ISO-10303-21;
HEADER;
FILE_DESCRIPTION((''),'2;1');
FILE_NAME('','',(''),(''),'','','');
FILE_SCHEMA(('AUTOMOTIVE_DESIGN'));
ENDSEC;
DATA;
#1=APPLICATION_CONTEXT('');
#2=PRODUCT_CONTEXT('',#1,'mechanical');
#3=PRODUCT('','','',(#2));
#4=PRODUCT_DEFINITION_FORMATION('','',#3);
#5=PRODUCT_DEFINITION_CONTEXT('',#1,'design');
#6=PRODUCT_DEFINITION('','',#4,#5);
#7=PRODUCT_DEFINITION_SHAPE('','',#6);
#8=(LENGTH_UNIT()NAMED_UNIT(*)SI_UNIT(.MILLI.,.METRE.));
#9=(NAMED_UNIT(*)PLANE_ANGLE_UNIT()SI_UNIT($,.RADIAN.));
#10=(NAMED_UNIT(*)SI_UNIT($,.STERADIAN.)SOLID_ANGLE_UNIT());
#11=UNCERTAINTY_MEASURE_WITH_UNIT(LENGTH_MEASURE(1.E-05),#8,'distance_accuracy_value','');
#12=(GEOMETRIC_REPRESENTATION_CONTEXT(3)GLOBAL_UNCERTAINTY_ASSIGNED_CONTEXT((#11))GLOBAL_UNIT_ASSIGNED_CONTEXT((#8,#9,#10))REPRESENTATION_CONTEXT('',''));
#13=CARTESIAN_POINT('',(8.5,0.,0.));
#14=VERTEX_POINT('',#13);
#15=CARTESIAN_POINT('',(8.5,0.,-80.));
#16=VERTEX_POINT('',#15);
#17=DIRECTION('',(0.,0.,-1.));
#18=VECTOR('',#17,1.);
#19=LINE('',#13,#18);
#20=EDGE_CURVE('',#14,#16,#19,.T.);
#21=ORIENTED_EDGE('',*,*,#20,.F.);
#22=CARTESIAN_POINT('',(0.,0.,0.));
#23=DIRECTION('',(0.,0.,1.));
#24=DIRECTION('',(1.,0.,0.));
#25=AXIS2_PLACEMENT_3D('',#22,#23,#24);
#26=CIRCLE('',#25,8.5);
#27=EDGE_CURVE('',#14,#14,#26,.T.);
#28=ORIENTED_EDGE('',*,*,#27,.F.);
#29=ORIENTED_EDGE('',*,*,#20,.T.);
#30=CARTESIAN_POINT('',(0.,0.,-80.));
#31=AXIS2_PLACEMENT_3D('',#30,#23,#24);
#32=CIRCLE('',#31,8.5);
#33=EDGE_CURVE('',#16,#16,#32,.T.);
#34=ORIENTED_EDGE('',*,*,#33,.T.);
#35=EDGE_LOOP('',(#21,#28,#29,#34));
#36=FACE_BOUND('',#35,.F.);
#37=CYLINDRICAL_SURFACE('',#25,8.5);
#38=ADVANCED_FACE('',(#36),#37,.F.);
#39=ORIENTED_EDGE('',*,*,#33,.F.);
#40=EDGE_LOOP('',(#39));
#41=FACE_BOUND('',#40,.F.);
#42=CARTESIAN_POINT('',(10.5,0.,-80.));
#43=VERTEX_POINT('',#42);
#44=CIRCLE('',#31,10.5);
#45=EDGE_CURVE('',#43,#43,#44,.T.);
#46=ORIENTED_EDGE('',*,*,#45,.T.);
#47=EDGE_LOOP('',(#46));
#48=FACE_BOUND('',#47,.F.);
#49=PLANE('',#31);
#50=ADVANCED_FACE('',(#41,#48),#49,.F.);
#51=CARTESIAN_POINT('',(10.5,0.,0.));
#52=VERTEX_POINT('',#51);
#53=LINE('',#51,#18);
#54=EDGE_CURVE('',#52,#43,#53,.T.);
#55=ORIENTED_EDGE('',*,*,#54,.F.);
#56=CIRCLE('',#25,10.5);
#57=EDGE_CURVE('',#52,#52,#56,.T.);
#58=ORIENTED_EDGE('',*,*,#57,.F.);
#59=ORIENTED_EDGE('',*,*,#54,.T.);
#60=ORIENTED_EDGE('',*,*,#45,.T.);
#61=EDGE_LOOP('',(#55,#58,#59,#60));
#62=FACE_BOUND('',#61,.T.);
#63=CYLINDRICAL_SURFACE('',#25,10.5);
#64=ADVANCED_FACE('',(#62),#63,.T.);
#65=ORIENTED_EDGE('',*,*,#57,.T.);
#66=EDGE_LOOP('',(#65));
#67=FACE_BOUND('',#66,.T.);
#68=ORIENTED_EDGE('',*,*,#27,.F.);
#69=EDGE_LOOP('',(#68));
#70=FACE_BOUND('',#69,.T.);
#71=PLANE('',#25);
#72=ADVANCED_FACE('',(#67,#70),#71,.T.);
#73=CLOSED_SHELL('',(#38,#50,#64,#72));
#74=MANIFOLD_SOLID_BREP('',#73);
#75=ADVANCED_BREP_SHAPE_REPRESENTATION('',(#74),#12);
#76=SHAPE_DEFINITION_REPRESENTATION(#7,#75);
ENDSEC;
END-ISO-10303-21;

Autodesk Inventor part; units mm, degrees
ref_plane "YZ Plane" through (0, 0, 0) normal (1, 0, 0) x (0, 1, 0)
ref_plane "XZ Plane" through (0, 0, 0) normal (0, 1, 0) x (-1, 0, 0)
ref_plane "XY Plane" through (0, 0, 0) normal (0, 0, 1) x (1, 0, 0)
sketch "Sketch11" plane through (0, 0, 0) normal (0, 0, 1) x (1, 0, 0)
  circle A0 centre (0, 0) radius 10.5
  circle A1 centre (0, 0) radius 8.5
  dimension "d187" = 21
  dimension "d188" = 2
extrude "Extrusion5" add sketch "Sketch11" against normal blind 80
properties part number "ANP 1449 FDS thread  tube9" material "Stainless Steel"
